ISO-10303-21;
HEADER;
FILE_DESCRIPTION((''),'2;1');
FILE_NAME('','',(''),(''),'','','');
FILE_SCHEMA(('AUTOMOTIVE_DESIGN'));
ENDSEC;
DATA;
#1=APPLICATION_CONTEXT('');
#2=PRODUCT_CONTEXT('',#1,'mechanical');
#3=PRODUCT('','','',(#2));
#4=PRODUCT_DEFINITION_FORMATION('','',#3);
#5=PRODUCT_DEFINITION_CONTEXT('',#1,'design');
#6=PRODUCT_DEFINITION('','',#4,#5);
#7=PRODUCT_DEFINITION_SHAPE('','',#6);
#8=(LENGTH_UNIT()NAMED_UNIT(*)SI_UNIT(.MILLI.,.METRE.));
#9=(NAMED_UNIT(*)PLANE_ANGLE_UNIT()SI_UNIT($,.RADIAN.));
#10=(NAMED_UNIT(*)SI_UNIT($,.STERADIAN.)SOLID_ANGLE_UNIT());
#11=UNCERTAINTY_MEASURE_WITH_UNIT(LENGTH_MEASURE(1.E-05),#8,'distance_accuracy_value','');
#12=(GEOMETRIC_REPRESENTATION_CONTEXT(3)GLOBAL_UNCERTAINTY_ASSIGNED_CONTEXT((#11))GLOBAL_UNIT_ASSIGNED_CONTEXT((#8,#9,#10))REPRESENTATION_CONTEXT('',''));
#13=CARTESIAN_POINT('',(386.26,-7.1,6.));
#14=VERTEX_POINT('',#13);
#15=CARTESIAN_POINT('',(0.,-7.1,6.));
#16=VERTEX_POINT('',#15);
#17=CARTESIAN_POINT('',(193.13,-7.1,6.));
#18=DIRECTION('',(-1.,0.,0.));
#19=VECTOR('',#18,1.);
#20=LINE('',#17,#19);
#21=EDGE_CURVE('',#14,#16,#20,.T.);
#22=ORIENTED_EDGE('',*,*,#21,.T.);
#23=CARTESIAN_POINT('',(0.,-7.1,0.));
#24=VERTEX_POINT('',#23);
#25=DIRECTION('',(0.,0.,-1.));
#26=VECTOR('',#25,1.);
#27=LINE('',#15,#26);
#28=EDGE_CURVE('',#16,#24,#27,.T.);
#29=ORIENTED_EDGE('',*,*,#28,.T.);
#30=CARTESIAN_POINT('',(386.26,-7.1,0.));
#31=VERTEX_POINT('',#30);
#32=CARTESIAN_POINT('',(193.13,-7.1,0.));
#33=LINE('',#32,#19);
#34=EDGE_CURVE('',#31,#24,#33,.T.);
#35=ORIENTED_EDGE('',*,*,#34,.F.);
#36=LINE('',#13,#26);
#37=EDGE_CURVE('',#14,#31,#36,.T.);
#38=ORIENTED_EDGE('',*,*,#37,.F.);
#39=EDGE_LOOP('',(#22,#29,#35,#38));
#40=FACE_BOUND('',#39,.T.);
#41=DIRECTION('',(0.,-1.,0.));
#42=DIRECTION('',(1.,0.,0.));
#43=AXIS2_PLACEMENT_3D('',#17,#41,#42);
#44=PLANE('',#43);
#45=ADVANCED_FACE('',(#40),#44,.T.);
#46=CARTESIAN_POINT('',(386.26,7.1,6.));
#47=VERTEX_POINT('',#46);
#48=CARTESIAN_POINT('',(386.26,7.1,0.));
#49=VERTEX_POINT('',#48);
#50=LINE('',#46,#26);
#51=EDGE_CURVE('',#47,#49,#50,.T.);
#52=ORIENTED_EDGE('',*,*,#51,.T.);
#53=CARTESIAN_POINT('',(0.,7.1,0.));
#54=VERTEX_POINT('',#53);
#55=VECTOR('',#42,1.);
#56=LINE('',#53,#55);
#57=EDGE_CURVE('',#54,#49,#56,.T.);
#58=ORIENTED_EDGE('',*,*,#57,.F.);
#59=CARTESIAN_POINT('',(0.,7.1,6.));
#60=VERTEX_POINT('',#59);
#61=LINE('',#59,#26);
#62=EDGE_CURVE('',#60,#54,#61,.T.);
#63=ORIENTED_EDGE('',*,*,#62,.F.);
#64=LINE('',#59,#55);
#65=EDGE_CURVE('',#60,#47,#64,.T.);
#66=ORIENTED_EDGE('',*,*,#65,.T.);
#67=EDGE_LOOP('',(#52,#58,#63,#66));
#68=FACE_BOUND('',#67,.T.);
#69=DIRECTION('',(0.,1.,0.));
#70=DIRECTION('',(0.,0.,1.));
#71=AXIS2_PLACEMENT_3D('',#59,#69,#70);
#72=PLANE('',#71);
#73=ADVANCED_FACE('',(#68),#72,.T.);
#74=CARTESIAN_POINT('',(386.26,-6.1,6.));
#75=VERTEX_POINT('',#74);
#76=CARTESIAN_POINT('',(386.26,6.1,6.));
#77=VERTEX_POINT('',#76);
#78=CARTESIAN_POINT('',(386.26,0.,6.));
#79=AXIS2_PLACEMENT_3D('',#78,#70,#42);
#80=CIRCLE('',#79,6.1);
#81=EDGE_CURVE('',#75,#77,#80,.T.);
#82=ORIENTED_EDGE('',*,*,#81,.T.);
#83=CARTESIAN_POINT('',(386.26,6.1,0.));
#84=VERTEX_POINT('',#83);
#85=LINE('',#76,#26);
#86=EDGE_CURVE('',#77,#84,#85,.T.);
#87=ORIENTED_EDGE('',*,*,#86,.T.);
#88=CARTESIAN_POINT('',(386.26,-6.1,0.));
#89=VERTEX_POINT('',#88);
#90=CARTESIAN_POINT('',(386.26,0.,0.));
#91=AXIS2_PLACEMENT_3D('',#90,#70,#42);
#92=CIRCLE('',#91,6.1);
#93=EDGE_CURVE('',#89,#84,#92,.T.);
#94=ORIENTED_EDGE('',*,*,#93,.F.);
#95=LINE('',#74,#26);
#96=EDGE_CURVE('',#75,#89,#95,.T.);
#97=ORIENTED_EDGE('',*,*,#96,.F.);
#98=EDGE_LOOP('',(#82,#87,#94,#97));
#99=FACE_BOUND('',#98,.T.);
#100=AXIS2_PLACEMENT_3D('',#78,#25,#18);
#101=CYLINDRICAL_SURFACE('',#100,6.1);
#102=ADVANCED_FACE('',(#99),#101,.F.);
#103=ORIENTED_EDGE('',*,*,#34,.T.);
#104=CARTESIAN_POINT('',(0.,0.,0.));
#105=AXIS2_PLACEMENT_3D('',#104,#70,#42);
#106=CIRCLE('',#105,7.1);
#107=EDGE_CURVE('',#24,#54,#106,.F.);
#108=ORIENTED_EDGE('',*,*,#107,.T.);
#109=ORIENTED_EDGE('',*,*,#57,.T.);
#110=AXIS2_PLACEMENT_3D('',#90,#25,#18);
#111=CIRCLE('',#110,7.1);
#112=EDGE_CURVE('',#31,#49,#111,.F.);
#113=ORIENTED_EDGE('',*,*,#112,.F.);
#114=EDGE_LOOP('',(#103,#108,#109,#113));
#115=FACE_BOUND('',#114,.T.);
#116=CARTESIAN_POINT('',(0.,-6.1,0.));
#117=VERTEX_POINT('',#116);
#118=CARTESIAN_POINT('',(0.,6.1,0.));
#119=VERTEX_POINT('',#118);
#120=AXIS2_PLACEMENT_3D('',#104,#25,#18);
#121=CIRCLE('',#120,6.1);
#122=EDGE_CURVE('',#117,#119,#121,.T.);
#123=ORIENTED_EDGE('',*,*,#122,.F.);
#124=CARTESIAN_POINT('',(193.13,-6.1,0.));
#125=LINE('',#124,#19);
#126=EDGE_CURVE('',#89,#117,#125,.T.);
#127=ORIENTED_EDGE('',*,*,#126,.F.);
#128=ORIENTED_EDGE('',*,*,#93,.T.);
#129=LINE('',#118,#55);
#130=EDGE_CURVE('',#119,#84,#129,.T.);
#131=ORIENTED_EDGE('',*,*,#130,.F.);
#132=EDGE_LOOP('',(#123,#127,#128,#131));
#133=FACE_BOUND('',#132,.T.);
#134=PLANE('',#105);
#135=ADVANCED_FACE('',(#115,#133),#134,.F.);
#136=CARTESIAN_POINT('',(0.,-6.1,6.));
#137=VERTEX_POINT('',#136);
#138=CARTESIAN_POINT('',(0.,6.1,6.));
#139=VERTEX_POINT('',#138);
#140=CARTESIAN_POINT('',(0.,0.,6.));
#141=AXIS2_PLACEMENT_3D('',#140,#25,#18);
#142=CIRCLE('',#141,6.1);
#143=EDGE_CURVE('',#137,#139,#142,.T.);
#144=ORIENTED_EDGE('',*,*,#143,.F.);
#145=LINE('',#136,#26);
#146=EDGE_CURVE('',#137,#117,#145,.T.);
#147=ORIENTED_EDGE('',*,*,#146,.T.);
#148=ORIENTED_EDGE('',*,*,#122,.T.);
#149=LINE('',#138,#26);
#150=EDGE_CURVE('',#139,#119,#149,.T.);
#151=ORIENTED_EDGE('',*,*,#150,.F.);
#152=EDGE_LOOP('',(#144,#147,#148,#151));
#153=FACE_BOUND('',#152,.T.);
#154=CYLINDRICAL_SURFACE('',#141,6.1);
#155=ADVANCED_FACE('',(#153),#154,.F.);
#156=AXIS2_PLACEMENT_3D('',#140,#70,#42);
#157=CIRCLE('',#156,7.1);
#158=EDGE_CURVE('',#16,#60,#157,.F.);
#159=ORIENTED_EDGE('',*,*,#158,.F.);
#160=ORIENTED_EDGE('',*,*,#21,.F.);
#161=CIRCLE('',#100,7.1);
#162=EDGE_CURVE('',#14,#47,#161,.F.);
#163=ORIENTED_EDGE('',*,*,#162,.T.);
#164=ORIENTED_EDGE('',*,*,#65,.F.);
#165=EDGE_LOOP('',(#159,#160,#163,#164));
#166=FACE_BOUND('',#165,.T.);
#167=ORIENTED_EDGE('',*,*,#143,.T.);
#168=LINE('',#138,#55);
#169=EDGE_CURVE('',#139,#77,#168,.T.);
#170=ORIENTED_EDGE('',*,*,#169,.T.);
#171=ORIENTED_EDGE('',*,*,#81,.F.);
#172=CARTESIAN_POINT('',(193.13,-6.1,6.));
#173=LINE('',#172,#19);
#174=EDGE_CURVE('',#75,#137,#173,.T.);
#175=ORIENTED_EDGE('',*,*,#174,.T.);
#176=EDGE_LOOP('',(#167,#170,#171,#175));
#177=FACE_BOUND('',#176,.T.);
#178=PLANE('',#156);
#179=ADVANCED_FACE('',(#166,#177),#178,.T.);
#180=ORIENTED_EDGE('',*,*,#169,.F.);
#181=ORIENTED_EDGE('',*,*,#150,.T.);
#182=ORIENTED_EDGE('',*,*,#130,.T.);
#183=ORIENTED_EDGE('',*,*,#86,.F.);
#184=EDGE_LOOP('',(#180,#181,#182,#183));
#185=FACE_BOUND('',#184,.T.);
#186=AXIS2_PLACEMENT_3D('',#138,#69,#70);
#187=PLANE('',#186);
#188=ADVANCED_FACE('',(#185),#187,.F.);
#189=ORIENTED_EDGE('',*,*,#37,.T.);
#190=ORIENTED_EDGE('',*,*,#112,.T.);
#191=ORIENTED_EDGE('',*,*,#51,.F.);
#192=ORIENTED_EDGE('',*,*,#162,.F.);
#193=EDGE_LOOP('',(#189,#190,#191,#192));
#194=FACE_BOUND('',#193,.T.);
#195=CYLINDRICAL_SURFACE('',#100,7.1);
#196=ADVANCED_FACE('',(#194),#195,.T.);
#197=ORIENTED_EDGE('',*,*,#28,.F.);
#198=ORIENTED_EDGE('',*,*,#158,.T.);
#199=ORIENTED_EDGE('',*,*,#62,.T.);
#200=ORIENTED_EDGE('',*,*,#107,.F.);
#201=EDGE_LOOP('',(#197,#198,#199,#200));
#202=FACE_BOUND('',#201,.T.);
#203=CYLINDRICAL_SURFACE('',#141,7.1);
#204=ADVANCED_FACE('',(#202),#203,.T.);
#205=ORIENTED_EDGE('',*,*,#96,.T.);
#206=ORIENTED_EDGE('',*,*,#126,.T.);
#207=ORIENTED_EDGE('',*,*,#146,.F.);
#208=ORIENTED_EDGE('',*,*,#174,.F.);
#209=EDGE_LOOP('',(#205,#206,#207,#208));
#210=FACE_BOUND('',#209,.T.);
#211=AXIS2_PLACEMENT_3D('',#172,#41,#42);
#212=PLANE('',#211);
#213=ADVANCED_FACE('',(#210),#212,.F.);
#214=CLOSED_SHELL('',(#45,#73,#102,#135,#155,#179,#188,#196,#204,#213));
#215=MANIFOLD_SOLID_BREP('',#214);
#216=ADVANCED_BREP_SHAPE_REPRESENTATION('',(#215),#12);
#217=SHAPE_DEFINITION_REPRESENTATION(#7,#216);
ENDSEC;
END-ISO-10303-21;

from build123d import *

# Parameters (mm, degrees)
EXTRUDE_THIN1_DEPTH = 6


with BuildPart() as part:
    # Sketch2 → Extrude-Thin1 (new body)
    with BuildSketch(Plane.XY):
        with BuildLine():
            Line((193.13, -6.1), (0, -6.1))
            ThreePointArc((0, -6.1), (-6.1, 0), (0, 6.1))
            Line((0, 6.1), (193.13, 6.1))
            Line((193.13, 6.1), (193.13, 7.1))
            Line((193.13, 7.1), (0, 7.1))
            ThreePointArc((0, 7.1), (-7.1, 0), (0, -7.1))
            Line((0, -7.1), (193.13, -7.1))
            Line((193.13, -7.1), (193.13, -6.1))
        make_face()
    extrude_thin1 = extrude(amount=EXTRUDE_THIN1_DEPTH)

    # Mirror1: Extrude-Thin1 across plane
    add(extrude_thin1.mirror(Plane(origin=(193.13, 7.1, 6), x_dir=(0, 0, 1), z_dir=(1, 0, 0))))


solid = part.part
